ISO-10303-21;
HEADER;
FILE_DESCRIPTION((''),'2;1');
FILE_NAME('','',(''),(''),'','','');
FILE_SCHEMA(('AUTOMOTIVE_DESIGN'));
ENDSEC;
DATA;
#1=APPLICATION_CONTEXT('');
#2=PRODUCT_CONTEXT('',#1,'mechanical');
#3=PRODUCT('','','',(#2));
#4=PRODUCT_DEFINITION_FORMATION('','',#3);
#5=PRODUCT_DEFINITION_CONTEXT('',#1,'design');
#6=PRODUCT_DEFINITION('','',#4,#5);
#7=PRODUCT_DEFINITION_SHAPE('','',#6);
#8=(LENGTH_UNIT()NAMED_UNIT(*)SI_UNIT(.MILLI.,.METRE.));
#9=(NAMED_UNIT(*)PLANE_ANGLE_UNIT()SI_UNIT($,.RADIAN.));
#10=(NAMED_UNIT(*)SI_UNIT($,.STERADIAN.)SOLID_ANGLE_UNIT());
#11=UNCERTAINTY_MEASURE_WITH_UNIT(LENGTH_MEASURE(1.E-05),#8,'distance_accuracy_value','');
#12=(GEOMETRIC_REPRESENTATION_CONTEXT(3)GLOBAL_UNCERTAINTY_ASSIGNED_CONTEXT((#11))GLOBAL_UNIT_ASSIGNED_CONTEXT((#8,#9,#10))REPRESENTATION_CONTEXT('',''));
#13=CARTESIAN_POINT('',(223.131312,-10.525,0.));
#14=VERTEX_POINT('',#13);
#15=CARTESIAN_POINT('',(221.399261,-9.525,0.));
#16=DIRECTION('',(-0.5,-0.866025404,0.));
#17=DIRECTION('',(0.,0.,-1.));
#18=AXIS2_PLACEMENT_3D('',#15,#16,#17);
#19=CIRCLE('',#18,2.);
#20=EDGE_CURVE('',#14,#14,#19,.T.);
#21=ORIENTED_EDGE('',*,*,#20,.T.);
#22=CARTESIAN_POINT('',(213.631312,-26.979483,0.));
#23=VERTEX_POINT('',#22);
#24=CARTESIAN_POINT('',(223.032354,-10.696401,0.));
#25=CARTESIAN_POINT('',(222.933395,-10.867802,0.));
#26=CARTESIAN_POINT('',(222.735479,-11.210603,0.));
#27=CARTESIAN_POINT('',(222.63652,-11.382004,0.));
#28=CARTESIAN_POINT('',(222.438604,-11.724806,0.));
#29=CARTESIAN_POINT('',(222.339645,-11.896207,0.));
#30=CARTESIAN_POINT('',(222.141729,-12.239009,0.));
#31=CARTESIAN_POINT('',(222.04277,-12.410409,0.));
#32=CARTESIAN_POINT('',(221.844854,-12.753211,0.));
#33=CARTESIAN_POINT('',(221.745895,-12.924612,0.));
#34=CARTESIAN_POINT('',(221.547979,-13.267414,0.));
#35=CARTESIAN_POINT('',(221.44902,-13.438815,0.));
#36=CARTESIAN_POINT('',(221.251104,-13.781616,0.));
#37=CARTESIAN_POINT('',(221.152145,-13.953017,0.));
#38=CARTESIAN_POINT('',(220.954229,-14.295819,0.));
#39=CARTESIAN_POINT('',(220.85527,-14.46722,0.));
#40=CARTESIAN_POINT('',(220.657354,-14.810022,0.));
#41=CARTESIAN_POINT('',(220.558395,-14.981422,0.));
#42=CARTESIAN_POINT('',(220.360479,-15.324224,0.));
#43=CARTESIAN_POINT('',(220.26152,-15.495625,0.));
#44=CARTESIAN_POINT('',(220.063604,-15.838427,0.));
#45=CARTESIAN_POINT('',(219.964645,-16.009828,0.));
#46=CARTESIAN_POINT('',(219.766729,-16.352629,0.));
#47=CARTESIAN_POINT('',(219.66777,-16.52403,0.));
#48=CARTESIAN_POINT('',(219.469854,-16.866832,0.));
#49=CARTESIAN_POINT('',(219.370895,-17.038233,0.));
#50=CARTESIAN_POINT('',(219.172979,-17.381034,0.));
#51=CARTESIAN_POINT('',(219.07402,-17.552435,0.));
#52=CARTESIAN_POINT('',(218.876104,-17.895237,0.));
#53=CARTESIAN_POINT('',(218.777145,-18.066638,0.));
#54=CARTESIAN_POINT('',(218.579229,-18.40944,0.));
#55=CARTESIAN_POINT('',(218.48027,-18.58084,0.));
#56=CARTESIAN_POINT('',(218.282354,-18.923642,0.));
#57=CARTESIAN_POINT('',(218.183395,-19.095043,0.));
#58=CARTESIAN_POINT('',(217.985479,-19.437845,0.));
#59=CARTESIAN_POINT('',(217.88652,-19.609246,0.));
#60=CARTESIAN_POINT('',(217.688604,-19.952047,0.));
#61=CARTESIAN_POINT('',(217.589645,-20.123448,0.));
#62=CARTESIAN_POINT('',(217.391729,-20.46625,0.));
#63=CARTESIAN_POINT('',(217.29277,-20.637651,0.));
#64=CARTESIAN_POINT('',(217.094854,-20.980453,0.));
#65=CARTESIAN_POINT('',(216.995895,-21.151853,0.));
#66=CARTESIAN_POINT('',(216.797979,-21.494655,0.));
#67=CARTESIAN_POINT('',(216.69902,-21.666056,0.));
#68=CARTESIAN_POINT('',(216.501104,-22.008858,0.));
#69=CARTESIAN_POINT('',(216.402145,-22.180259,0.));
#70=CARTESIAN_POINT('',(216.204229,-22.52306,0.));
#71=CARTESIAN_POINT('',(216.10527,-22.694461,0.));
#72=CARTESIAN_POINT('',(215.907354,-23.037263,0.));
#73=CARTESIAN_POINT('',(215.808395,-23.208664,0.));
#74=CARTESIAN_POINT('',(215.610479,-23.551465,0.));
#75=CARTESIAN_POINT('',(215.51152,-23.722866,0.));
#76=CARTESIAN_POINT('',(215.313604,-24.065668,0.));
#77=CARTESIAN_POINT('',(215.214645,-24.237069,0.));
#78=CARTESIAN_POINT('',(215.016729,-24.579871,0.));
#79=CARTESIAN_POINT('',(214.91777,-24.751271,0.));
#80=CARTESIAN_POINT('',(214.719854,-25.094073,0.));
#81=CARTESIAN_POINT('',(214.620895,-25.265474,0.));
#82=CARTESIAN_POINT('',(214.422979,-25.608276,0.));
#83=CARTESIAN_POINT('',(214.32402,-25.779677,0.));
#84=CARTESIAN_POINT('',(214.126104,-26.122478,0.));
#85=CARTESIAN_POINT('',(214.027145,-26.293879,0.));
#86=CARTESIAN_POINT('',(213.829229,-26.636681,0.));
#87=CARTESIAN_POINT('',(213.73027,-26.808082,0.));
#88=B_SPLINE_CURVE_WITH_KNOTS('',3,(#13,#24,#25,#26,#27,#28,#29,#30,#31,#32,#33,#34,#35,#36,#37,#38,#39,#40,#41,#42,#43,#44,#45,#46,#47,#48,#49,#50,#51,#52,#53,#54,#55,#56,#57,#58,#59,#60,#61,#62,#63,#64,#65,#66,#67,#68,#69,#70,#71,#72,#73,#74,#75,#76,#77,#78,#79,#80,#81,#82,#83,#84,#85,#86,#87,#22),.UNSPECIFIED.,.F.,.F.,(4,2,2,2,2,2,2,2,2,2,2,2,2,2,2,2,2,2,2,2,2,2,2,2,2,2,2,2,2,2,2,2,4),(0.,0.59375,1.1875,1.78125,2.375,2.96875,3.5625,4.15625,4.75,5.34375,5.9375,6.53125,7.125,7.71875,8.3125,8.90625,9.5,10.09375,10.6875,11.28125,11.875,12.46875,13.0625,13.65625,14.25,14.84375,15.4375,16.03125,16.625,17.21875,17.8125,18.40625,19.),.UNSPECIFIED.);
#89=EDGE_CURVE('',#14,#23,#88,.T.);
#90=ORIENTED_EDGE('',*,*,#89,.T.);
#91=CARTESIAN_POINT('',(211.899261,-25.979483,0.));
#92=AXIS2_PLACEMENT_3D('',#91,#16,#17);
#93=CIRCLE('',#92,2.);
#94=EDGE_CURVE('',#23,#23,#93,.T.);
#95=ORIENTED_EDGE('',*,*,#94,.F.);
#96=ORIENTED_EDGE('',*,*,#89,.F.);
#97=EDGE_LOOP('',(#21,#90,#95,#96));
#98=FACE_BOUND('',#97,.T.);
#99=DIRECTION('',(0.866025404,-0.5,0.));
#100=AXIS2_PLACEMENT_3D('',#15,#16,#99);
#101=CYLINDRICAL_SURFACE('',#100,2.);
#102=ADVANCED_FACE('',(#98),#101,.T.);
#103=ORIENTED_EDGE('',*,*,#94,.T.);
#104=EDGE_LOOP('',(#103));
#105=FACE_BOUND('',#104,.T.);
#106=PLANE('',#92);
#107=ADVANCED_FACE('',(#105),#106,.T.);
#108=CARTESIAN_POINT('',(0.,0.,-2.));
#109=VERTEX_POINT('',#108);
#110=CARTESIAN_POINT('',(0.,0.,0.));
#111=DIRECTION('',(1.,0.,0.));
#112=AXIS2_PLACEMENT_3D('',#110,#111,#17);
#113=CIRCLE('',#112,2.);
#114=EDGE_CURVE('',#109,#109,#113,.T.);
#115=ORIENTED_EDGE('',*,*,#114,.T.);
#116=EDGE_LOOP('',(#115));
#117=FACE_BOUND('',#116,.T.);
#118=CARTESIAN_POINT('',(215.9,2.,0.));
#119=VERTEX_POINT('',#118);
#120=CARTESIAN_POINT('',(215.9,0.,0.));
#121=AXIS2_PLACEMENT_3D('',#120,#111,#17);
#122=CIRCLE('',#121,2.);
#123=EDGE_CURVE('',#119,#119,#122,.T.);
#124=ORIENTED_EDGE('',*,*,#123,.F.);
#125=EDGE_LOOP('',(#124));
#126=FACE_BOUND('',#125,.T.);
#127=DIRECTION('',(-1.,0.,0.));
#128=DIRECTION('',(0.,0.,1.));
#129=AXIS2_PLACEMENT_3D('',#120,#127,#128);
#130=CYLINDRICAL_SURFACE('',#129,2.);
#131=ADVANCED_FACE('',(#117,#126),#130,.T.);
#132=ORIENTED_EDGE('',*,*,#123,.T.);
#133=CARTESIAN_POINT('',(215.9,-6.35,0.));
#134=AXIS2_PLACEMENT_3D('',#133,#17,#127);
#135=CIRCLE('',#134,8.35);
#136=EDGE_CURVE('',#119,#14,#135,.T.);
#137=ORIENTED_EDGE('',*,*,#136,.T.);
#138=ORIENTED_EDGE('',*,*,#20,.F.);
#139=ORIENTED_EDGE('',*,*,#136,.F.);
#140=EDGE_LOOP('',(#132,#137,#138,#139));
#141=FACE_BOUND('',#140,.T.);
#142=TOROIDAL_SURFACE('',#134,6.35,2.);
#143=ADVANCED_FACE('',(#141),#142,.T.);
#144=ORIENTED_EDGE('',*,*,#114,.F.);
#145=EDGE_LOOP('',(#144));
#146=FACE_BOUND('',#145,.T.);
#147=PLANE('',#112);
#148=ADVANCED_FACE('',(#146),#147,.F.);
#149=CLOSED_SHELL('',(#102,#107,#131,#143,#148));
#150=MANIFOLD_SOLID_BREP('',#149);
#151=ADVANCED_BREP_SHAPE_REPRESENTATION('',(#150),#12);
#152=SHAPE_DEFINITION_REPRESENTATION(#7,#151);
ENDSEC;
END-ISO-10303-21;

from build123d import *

# Parameters (mm, degrees)
SKETCH2_R = 2


with BuildPart() as part:
    # Sweep1: sweep along a path in Sketch1
    with BuildLine(Plane.XY) as sweep1_path:
        Line((0, 0), (215.9, 0))
        ThreePointArc((215.9, 0), (221.399261314, -3.175), (221.399261314, -9.525))
        Line((221.399261314, -9.525), (211.899261314, -25.979482672))
    # Sketch2 → Sweep1 (sweep)
    with BuildSketch(Plane(origin=(0, 0, 0), x_dir=(0, 0, -1), z_dir=(1, 0, 0))):
        Circle(SKETCH2_R)
    sweep(path=sweep1_path.line)


solid = part.part
